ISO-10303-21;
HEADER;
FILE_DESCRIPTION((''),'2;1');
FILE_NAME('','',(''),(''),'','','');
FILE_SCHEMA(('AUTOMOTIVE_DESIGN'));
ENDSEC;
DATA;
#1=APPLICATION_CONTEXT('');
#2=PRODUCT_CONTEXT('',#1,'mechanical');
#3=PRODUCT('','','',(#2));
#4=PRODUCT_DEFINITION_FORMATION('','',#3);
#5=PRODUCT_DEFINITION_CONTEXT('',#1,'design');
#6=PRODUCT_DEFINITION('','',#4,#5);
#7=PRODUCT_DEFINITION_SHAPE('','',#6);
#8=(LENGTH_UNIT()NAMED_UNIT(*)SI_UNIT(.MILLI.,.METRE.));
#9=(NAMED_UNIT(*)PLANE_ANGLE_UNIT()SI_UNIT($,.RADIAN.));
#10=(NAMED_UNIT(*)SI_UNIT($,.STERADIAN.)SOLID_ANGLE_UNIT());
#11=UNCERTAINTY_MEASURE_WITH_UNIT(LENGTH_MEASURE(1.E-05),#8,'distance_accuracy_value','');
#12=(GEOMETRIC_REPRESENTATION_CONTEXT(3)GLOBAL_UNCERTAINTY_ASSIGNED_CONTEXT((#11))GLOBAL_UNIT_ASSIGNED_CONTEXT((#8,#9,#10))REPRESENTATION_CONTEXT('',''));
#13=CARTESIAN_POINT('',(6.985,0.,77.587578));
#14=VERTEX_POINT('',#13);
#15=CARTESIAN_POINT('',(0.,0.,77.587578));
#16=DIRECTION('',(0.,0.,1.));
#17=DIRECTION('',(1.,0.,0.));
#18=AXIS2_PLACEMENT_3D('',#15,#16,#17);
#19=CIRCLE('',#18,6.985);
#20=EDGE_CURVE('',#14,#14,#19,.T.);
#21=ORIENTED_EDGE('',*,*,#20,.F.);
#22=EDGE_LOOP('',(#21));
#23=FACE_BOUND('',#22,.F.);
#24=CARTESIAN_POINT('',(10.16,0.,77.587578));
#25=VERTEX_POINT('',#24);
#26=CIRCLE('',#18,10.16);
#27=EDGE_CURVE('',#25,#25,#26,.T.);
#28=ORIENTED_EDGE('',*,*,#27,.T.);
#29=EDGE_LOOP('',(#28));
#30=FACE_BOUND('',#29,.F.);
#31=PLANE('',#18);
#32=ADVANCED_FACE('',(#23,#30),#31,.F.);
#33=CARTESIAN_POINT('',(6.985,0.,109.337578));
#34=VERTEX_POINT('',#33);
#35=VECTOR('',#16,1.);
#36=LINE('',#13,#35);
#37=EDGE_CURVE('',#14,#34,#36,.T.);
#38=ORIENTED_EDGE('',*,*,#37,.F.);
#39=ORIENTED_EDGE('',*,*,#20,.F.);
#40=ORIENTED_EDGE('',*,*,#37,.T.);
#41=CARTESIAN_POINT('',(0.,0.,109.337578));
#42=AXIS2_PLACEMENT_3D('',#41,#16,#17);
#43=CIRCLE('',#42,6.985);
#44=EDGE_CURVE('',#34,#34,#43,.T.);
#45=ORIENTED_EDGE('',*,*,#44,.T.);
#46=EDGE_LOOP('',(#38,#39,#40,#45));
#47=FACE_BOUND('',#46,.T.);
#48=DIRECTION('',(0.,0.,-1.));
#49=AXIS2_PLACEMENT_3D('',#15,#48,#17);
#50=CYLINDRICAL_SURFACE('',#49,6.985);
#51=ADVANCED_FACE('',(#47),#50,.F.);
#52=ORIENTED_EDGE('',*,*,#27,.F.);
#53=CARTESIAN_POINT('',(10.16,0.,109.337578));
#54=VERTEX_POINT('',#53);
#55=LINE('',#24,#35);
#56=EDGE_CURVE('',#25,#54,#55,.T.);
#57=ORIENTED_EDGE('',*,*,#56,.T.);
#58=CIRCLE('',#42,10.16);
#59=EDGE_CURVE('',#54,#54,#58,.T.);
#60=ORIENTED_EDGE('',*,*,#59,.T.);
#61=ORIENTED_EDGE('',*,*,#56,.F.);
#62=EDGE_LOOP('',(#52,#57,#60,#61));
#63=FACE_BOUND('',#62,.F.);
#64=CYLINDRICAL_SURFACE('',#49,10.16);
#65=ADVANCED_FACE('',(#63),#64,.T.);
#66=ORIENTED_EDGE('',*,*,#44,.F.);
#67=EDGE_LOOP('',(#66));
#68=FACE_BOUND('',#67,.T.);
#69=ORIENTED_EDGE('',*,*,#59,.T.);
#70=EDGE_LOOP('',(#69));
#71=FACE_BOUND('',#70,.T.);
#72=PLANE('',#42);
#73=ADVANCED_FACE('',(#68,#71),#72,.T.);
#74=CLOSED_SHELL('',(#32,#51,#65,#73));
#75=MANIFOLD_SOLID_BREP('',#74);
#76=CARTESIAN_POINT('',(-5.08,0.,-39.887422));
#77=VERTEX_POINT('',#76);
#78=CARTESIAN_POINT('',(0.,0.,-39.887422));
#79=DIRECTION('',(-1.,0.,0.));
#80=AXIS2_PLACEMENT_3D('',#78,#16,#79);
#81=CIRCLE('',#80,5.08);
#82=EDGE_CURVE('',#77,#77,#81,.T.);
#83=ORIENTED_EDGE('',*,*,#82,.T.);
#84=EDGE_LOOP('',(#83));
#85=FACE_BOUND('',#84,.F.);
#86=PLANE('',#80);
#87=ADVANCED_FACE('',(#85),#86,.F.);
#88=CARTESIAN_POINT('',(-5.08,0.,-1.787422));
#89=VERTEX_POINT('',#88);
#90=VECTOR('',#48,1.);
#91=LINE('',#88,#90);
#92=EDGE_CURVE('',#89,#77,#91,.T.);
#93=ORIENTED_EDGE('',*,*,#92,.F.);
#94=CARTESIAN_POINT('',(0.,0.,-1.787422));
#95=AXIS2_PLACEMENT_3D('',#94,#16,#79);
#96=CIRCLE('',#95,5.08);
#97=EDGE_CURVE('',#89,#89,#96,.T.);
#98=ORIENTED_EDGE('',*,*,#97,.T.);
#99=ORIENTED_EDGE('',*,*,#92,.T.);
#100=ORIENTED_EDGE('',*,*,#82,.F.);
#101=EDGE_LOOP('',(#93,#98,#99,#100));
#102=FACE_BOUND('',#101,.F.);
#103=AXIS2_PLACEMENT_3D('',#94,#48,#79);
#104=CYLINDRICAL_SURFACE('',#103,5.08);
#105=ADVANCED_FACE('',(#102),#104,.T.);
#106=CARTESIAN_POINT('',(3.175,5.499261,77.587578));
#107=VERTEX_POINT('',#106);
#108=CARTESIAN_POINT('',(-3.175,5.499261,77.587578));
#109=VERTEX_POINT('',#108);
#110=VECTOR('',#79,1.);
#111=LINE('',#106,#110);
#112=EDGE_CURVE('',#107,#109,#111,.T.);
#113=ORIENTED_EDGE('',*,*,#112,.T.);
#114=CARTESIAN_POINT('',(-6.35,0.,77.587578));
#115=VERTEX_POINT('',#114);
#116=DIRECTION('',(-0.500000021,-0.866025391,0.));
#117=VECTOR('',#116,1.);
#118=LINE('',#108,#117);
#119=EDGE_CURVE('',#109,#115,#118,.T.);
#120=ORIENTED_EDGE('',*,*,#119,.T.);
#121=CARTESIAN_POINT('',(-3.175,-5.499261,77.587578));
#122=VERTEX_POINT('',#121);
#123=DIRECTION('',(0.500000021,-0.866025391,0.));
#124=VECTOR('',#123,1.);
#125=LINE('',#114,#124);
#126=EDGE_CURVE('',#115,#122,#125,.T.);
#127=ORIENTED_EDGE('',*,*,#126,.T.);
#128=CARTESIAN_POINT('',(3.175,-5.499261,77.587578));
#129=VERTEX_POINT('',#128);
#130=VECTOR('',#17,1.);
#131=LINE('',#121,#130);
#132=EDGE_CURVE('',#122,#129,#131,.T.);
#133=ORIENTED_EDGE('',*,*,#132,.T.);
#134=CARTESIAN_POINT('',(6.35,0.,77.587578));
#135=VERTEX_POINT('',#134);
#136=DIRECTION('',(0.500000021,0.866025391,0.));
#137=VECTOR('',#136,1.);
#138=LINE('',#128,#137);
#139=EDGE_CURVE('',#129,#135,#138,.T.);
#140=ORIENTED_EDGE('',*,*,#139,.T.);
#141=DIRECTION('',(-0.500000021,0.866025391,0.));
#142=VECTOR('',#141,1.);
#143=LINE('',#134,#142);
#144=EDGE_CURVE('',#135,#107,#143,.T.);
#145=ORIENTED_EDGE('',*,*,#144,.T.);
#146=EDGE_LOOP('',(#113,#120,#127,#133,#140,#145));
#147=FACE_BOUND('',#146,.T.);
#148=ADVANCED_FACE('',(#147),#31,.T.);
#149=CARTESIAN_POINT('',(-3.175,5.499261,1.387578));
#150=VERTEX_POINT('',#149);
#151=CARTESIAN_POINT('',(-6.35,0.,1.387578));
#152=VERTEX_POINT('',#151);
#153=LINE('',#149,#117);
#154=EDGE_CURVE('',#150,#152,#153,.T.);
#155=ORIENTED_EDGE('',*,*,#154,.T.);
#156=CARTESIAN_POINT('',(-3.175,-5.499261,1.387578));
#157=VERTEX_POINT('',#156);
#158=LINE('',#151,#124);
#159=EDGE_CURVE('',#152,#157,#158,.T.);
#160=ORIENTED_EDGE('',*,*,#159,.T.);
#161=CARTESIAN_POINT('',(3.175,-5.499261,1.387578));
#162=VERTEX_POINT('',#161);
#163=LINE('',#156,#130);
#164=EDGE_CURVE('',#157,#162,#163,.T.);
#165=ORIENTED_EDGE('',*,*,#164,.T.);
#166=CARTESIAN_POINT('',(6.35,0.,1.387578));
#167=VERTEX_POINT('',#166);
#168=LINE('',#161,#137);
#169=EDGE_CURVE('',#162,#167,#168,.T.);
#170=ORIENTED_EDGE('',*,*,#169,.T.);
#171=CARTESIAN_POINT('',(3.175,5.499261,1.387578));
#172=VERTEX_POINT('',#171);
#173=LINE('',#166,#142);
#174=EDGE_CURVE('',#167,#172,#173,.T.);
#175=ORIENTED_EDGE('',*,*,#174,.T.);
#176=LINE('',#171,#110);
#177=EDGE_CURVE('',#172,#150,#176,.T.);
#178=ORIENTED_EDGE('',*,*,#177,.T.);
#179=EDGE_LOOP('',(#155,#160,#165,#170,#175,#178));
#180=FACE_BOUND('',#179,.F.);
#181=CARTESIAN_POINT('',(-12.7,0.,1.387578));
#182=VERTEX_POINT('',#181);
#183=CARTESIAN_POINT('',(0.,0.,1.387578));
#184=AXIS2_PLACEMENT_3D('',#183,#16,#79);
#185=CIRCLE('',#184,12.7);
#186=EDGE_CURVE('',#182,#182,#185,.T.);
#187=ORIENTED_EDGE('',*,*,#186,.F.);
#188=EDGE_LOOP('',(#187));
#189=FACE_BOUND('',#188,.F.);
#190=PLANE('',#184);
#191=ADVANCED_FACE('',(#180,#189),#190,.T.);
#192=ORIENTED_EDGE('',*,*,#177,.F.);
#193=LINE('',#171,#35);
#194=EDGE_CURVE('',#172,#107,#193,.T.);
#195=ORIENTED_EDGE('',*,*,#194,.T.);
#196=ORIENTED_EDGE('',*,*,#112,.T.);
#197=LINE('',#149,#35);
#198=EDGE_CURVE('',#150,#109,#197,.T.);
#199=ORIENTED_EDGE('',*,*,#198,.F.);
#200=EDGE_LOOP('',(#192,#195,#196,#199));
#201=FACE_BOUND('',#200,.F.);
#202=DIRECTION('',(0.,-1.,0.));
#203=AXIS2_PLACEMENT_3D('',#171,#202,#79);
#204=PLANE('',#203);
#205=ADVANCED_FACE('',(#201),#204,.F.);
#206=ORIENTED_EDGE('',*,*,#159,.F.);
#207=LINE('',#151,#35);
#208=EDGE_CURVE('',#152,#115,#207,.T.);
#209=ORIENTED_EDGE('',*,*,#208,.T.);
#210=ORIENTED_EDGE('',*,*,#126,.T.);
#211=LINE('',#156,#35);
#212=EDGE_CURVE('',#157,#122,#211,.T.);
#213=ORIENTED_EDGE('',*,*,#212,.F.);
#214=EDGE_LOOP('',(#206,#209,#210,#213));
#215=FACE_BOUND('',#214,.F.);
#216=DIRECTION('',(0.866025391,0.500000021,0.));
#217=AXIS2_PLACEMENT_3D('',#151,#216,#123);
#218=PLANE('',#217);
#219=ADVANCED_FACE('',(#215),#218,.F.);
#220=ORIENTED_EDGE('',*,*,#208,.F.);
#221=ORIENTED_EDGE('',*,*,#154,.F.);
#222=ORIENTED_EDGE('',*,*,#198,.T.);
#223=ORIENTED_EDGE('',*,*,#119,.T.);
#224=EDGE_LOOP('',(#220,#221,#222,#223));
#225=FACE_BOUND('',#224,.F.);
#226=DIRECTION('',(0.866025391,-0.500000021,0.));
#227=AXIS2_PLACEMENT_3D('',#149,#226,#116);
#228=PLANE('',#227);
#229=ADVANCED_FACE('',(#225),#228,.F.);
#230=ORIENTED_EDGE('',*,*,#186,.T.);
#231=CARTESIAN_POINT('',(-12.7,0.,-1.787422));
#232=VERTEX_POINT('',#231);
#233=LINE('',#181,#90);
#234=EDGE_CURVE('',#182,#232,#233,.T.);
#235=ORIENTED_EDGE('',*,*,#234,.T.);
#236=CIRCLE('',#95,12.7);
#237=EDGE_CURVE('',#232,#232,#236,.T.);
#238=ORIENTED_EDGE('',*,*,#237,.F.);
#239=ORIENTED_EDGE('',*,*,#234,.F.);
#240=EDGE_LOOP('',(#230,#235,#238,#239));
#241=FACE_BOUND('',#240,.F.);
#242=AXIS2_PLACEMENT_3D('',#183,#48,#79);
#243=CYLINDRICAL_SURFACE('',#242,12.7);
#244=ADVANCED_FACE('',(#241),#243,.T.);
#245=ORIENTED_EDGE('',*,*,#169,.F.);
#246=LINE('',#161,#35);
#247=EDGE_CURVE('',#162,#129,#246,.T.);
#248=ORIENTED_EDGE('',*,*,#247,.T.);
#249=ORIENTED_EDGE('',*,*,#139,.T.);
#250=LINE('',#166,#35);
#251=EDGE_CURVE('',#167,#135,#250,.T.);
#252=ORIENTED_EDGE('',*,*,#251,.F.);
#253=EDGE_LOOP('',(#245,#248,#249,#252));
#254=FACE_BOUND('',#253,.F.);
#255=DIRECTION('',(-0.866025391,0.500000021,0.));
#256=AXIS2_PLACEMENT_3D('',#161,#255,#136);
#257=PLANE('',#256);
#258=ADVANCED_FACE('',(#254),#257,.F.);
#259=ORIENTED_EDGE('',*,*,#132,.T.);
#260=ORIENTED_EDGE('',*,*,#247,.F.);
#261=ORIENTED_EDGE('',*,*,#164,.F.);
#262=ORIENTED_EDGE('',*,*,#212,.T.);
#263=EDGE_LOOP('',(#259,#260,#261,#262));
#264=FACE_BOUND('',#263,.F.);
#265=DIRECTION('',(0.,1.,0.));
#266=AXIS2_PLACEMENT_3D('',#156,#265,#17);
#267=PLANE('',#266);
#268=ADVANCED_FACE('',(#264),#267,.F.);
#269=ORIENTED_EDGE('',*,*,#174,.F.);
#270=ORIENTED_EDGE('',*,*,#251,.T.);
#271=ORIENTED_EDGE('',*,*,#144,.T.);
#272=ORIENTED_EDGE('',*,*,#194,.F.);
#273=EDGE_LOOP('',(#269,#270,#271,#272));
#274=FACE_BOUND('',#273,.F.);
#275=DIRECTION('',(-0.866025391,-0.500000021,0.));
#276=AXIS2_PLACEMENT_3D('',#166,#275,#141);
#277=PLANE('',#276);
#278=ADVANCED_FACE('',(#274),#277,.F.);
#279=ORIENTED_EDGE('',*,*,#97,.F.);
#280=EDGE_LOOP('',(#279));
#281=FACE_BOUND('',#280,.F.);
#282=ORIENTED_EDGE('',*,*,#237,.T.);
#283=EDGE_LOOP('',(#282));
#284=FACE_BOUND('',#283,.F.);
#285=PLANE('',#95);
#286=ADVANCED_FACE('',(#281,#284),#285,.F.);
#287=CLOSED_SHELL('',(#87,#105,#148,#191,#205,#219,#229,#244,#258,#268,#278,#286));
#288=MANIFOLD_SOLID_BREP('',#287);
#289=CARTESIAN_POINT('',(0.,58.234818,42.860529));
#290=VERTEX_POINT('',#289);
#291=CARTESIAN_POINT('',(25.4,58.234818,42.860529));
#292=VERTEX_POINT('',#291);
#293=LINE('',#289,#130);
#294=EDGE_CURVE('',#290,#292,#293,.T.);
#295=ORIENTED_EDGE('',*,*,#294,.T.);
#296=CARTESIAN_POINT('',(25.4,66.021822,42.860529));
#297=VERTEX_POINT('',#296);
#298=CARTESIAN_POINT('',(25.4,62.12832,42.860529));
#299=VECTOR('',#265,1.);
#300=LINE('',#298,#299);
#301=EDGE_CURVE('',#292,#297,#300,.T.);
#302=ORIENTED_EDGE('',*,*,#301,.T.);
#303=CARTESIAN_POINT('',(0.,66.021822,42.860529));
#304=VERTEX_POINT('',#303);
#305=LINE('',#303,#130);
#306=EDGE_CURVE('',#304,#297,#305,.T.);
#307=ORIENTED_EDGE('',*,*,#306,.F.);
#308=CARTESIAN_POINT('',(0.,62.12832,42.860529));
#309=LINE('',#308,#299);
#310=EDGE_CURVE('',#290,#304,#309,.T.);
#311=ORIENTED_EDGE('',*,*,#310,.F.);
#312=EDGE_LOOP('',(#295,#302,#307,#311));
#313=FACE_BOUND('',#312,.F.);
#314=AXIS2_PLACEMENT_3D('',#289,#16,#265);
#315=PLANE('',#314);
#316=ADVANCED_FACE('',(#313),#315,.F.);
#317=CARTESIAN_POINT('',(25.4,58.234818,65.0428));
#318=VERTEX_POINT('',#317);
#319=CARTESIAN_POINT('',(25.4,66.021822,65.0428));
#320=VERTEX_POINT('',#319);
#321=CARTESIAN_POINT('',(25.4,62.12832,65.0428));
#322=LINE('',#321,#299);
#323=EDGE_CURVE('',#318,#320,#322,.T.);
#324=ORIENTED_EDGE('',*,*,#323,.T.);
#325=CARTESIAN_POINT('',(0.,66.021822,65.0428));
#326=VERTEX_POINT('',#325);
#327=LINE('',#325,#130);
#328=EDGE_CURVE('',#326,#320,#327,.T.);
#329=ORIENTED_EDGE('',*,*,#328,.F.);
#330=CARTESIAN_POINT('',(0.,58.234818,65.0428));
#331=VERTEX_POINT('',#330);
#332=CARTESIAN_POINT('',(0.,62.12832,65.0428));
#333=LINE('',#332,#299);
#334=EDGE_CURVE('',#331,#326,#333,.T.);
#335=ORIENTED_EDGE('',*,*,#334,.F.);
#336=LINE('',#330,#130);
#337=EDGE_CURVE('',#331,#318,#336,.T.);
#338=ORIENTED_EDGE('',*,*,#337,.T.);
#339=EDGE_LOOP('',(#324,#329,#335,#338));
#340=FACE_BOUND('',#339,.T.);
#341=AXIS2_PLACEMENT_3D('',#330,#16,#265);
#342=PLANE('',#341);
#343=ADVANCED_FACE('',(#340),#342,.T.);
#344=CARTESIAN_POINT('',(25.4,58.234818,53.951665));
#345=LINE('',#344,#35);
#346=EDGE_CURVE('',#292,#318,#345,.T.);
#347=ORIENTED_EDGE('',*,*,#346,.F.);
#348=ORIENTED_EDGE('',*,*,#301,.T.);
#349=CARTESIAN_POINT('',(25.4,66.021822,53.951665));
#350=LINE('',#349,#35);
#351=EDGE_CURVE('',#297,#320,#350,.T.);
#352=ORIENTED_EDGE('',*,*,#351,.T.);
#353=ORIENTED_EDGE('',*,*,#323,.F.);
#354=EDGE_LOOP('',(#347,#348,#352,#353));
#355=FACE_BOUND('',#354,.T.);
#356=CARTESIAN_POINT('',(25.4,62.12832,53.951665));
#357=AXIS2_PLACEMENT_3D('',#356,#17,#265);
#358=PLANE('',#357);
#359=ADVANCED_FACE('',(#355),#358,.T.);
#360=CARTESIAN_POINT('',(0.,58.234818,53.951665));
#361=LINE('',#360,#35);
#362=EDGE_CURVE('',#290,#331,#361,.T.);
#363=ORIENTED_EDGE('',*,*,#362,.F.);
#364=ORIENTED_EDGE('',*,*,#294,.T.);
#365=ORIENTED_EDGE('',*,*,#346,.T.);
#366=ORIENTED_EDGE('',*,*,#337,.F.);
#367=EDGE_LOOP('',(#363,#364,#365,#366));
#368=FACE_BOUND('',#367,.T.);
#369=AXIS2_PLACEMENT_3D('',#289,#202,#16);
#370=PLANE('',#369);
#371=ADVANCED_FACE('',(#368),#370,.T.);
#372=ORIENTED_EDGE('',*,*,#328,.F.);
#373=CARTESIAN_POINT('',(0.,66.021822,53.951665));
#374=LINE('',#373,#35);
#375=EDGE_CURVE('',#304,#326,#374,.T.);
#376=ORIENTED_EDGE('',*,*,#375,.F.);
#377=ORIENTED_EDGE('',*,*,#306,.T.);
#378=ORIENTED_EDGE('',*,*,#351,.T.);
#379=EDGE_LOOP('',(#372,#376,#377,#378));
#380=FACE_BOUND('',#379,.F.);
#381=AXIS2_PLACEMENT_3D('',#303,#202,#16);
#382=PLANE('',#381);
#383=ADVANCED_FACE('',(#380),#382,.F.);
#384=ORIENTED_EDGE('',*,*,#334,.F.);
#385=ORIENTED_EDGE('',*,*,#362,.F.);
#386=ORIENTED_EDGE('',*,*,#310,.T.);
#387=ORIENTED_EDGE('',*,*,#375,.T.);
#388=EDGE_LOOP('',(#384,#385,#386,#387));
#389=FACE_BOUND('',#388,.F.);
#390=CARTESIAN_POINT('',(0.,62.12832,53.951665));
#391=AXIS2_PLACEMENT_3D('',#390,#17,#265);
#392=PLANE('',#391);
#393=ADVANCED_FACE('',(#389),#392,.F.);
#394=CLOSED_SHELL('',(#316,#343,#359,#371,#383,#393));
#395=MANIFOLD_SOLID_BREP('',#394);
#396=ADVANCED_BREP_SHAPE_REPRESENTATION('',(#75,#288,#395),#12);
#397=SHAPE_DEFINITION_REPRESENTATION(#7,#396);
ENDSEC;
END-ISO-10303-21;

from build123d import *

# Parameters (mm, degrees)
F3_DEPTH = 76.2
F4_R     = 10.16
F4_R_2   = 6.985
F5_DEPTH = 31.75
F6_W     = 7.787004
F6_H     = 22.182271
F7_DEPTH = 25.4


with BuildPart() as f1:
    # F0 (on Front) → F1 (revolve)
    with BuildSketch(Plane.XZ):
        Polygon((-5.08, -39.887422), (0, -39.887422), (0, -1.787422), (0, 1.387578), (-12.7, 1.387578), (-12.7, -1.787422), (-5.08, -1.787422), align=None)
    revolve(axis=Axis((0, 0, -20.837422), (0, 0, 1)))

    # F2 (on face) → F3 (join)
    with BuildSketch(Plane.XY.offset(1.387578)):
        Polygon((-3.175, 5.499261), (-6.35, 0), (-3.175, -5.499261), (3.175, -5.499261), (6.35, 0), (3.175, 5.499261), align=None)
    extrude(amount=F3_DEPTH)


with BuildPart() as f5:
    # F4 (on face) → F5 (new body)
    with BuildSketch(Plane.XY.offset(77.587578)):
        Circle(F4_R)
        Circle(F4_R_2, mode=Mode.SUBTRACT)
    extrude(amount=F5_DEPTH)


with BuildPart() as f7:
    # F6 (on Right) → F7 (new body)
    with BuildSketch(Plane.YZ):
        with Locations((62.12832, 53.951665)):
            Rectangle(F6_W, F6_H)
    extrude(amount=F7_DEPTH)


solid = Compound([f1.part, f5.part, f7.part])
